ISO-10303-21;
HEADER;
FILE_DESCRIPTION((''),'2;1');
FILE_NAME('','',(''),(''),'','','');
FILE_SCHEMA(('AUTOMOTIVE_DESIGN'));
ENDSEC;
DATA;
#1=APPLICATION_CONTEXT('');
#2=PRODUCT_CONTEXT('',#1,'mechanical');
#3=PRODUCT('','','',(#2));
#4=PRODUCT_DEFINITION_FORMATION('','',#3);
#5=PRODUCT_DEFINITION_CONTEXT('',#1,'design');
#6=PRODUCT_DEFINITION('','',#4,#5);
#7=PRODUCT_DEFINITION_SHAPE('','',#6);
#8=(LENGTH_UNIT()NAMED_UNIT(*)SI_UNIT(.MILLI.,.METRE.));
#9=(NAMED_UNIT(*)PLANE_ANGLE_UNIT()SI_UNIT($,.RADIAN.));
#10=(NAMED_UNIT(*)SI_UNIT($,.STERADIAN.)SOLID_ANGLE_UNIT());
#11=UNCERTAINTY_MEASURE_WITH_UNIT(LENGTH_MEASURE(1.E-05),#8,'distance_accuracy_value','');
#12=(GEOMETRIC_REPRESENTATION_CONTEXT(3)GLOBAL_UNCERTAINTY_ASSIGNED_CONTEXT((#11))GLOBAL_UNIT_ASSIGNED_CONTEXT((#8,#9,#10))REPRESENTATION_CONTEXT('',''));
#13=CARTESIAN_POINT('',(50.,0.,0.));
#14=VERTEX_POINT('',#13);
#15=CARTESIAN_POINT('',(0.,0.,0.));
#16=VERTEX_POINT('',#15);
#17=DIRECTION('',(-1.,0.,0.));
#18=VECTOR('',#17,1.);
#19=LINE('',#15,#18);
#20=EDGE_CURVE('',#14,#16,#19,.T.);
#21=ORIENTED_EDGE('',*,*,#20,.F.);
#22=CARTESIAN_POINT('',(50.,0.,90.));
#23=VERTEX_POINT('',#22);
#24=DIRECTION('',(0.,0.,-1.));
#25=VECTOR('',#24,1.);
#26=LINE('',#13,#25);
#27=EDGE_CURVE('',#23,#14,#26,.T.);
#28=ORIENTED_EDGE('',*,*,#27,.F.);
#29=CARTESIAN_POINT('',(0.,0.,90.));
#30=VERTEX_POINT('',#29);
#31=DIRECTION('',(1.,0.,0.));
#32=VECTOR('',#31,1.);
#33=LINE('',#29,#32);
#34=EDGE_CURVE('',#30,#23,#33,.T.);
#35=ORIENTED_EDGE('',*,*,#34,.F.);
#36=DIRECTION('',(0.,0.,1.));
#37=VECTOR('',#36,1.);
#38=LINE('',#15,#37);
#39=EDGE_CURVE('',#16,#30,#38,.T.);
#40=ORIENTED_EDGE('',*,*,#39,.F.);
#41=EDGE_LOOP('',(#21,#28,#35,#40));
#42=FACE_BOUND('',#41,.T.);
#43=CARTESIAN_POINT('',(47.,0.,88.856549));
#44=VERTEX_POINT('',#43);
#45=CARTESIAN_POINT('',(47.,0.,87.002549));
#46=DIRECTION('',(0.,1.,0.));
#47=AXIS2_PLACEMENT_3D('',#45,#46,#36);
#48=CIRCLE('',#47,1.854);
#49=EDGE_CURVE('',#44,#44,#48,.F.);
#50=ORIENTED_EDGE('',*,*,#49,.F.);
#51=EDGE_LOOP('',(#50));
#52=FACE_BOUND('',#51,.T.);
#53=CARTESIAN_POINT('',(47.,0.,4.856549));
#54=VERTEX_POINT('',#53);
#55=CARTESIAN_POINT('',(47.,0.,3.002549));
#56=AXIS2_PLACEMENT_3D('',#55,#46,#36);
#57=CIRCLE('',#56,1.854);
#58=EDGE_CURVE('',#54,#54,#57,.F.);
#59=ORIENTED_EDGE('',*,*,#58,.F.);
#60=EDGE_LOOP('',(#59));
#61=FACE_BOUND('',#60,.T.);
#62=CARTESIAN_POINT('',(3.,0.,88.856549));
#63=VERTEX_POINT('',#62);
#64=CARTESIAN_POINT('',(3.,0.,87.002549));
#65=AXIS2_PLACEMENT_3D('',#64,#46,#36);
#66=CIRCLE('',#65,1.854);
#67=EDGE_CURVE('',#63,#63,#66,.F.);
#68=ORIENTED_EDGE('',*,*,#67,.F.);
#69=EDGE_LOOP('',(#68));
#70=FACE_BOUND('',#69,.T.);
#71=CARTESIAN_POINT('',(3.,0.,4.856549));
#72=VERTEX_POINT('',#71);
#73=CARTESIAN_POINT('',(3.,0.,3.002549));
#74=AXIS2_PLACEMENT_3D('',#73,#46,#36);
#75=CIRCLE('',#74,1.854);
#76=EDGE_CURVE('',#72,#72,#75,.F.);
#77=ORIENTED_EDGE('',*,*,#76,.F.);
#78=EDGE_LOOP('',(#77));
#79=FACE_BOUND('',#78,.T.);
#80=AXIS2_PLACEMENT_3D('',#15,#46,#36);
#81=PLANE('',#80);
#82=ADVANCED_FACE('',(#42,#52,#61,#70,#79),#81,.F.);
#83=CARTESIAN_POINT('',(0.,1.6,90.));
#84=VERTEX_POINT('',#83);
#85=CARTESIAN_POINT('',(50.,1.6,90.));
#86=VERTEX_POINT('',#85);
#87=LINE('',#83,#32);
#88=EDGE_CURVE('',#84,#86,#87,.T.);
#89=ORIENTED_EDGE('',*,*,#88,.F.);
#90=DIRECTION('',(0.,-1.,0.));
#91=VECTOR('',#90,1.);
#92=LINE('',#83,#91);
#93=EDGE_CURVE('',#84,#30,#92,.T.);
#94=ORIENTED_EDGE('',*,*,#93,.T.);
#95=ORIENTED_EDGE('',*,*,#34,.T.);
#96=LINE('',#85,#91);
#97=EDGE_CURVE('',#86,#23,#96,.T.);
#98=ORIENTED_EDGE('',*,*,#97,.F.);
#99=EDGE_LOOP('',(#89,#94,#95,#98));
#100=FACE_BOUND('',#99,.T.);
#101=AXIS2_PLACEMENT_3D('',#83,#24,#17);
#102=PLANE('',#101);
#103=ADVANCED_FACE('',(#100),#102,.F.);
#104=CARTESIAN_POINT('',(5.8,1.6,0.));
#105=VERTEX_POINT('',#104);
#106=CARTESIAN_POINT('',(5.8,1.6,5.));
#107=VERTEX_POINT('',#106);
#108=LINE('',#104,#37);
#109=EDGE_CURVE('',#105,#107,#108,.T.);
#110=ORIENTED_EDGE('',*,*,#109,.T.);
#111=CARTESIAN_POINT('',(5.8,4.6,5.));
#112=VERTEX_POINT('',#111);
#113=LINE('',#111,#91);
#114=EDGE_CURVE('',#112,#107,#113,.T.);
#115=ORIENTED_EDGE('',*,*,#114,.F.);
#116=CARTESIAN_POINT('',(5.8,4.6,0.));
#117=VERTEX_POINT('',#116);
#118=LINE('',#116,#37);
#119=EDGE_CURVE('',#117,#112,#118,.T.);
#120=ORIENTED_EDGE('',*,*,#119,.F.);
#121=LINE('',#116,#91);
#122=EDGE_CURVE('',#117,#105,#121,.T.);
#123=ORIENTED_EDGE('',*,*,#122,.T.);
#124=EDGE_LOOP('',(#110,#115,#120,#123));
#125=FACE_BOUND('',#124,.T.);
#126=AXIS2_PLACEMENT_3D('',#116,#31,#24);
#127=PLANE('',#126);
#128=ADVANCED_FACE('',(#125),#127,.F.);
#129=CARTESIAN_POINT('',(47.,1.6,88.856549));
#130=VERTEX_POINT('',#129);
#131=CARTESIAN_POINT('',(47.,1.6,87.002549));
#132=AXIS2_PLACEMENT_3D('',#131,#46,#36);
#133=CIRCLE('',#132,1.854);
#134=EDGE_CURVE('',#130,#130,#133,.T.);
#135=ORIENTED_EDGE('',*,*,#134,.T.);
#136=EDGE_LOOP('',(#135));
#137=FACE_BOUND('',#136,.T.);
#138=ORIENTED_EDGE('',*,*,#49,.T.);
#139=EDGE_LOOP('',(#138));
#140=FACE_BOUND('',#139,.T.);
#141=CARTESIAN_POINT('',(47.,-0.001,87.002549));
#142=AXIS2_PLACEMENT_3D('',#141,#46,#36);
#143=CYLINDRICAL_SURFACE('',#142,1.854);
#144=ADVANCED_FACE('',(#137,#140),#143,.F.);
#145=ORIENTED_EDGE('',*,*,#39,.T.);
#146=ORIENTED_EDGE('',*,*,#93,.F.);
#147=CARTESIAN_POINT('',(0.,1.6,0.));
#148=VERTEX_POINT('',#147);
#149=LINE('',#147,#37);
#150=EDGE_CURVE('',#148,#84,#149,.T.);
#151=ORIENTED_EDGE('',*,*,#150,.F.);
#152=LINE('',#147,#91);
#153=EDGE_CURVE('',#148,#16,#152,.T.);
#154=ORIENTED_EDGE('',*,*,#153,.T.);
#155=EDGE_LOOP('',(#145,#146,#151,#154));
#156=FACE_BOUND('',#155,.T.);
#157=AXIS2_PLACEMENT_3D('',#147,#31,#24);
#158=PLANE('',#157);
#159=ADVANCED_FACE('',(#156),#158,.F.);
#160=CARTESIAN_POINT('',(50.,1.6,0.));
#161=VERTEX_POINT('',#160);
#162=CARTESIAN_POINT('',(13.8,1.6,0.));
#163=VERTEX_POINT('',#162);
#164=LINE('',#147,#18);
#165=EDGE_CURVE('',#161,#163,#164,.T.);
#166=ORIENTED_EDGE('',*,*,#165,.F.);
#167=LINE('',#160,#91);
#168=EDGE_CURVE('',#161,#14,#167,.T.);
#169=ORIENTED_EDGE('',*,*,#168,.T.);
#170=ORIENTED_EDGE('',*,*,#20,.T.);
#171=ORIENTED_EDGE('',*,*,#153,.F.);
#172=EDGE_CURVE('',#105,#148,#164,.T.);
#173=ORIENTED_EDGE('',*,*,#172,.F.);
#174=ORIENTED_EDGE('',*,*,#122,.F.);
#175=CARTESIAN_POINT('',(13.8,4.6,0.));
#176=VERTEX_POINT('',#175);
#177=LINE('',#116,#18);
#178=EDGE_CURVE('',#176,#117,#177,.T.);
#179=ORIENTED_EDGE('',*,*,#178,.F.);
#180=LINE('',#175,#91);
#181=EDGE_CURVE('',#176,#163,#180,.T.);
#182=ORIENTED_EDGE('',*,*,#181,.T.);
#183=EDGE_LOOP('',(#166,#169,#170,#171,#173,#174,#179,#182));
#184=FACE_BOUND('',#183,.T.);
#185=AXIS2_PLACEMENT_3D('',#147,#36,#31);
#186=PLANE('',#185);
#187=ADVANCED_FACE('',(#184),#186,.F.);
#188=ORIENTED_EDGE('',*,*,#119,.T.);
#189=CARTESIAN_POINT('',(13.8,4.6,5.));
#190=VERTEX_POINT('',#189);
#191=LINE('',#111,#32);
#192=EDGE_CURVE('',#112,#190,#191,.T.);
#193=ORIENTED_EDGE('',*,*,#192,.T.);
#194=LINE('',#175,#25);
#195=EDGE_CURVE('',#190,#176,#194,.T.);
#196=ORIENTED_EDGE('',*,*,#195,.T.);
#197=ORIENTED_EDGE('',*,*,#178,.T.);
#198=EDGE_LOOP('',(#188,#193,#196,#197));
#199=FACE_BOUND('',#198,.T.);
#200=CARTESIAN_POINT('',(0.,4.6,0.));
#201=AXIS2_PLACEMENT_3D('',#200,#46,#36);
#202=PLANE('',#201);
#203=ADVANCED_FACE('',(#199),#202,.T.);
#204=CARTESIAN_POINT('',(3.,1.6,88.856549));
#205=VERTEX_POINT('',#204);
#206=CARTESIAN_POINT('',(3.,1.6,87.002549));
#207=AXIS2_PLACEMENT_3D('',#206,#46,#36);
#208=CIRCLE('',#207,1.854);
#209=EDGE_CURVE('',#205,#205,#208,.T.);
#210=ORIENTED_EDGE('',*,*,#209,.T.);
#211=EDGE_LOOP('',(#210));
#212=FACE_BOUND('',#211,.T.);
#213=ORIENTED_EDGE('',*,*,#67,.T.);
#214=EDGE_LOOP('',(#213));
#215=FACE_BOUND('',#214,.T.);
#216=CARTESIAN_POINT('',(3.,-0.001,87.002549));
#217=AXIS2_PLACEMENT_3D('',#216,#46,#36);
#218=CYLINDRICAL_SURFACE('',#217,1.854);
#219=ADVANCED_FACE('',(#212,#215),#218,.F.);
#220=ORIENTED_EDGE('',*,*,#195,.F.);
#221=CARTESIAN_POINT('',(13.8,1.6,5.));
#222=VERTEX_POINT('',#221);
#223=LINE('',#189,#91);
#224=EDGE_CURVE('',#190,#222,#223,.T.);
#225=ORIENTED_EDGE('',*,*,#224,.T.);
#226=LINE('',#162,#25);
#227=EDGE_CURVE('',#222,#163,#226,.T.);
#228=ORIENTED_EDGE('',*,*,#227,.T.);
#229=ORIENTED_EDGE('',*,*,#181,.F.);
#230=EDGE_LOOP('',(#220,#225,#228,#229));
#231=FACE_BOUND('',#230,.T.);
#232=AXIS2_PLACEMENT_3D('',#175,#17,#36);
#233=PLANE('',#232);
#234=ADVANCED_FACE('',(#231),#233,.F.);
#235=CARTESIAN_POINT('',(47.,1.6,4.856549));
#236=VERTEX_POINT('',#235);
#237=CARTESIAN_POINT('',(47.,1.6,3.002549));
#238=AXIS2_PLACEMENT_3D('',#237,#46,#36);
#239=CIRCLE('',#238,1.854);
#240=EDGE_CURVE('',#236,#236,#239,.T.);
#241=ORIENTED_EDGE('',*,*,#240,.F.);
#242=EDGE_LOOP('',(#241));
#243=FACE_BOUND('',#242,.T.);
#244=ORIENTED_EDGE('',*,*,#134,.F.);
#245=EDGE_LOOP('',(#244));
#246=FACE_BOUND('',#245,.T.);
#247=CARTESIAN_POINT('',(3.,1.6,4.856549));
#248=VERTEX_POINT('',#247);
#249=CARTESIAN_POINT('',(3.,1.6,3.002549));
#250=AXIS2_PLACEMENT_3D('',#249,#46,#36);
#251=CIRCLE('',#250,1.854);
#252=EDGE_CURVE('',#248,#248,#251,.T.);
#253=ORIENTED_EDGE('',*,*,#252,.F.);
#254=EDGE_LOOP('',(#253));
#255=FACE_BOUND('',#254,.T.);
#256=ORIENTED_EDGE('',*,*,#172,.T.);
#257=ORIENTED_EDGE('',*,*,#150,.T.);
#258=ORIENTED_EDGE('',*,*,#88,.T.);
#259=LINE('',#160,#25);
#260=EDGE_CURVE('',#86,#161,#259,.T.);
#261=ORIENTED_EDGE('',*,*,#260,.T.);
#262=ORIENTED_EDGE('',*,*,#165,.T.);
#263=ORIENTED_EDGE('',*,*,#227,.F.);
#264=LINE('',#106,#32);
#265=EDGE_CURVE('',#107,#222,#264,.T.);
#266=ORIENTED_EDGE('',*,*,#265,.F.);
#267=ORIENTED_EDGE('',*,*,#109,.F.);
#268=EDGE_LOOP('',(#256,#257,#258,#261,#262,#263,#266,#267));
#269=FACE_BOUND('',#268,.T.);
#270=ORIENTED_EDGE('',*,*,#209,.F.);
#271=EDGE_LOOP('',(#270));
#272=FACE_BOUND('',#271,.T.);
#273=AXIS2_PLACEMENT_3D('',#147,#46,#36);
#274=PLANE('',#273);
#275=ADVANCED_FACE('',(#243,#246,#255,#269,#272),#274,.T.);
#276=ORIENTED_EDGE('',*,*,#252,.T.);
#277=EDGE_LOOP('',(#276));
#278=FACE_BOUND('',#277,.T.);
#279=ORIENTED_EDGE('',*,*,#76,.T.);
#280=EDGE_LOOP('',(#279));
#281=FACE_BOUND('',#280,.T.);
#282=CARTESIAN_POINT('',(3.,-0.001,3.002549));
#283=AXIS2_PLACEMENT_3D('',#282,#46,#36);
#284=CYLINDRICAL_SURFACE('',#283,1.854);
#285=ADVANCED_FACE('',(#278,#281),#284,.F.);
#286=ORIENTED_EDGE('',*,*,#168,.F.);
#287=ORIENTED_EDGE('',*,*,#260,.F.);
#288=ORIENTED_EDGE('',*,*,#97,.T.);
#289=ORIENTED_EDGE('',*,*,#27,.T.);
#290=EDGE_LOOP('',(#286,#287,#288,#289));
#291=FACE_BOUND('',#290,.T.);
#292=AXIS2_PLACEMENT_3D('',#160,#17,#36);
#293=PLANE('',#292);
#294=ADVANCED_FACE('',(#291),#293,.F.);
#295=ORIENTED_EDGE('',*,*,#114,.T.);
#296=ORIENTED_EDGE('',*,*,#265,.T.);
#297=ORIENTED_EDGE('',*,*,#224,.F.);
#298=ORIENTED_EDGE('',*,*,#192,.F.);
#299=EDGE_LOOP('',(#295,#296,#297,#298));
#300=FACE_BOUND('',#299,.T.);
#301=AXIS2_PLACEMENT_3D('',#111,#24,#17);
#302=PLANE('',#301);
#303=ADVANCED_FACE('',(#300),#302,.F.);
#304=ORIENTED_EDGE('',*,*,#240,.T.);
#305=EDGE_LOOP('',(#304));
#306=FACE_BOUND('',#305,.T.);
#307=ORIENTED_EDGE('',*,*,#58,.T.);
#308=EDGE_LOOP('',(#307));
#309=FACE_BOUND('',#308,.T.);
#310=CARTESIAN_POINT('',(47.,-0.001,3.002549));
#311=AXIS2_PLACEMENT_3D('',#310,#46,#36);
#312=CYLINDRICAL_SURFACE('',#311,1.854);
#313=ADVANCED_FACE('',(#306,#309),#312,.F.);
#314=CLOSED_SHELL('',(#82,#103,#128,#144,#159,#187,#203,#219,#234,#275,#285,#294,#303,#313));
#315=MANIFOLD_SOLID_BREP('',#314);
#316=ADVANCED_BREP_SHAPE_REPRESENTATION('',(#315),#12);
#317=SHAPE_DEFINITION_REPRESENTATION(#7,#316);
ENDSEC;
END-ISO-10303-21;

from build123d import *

# Parameters (mm, degrees)
SKETCH3_W           = 50
SKETCH3_H           = 90
BOSS_EXTRUDE2_DEPTH = 1.6
CUT_EXTRUDE1_REACH  = 3.6
SKETCH4_R           = 1.854
SKETCH5_W           = 8
SKETCH5_H           = 5
BOSS_EXTRUDE3_DEPTH = 3


with BuildPart() as part:
    # Sketch3 → Boss-Extrude2 (new body)
    with BuildSketch(Plane(origin=(0, 0, 0), x_dir=(1, 0, 0), z_dir=(0, 1, 0))):
        with Locations((25, -45)):
            Rectangle(SKETCH3_W, SKETCH3_H)
    extrude(amount=BOSS_EXTRUDE2_DEPTH)

    # Sketch4 → Cut-Extrude1 (cut, up to next)
    with BuildSketch(Plane(origin=(0, 1.6, 0), x_dir=(1, 0, 0), z_dir=(0, 1, 0)), mode=Mode.PRIVATE) as cut_extrude1_sk1:
        with Locations((3, -3.002549058)):
            Circle(SKETCH4_R)
    cut_extrude1_tool1 = extrude(cut_extrude1_sk1.sketch, amount=-CUT_EXTRUDE1_REACH, mode=Mode.PRIVATE) & part.part
    add(cut_extrude1_tool1.solids().sort_by_distance((3, 1.6, 3.002549))[0], mode=Mode.SUBTRACT)
    # Sketch4 → Cut-Extrude1 (cut, up to next)
    with BuildSketch(Plane(origin=(0, 1.6, 0), x_dir=(1, 0, 0), z_dir=(0, 1, 0)), mode=Mode.PRIVATE) as cut_extrude1_sk2:
        with Locations((47, -3.002549058)):
            Circle(SKETCH4_R)
    cut_extrude1_tool2 = extrude(cut_extrude1_sk2.sketch, amount=-CUT_EXTRUDE1_REACH, mode=Mode.PRIVATE) & part.part
    add(cut_extrude1_tool2.solids().sort_by_distance((47, 1.6, 3.002549))[0], mode=Mode.SUBTRACT)
    # Sketch4 → Cut-Extrude1 (cut, up to next)
    with BuildSketch(Plane(origin=(0, 1.6, 0), x_dir=(1, 0, 0), z_dir=(0, 1, 0)), mode=Mode.PRIVATE) as cut_extrude1_sk3:
        with Locations((47, -87.002549058)):
            Circle(SKETCH4_R)
    cut_extrude1_tool3 = extrude(cut_extrude1_sk3.sketch, amount=-CUT_EXTRUDE1_REACH, mode=Mode.PRIVATE) & part.part
    add(cut_extrude1_tool3.solids().sort_by_distance((47, 1.6, 87.002549))[0], mode=Mode.SUBTRACT)
    # Sketch4 → Cut-Extrude1 (cut, up to next)
    with BuildSketch(Plane(origin=(0, 1.6, 0), x_dir=(1, 0, 0), z_dir=(0, 1, 0)), mode=Mode.PRIVATE) as cut_extrude1_sk4:
        with Locations((3, -87.002549058)):
            Circle(SKETCH4_R)
    cut_extrude1_tool4 = extrude(cut_extrude1_sk4.sketch, amount=-CUT_EXTRUDE1_REACH, mode=Mode.PRIVATE) & part.part
    add(cut_extrude1_tool4.solids().sort_by_distance((3, 1.6, 87.002549))[0], mode=Mode.SUBTRACT)

    # Sketch5 → Boss-Extrude3 (add)
    with BuildSketch(Plane(origin=(0, 1.6, 0), x_dir=(1, 0, 0), z_dir=(0, 1, 0))):
        with Locations((9.8, -2.5)):
            Rectangle(SKETCH5_W, SKETCH5_H)
    extrude(amount=BOSS_EXTRUDE3_DEPTH)


solid = part.part
